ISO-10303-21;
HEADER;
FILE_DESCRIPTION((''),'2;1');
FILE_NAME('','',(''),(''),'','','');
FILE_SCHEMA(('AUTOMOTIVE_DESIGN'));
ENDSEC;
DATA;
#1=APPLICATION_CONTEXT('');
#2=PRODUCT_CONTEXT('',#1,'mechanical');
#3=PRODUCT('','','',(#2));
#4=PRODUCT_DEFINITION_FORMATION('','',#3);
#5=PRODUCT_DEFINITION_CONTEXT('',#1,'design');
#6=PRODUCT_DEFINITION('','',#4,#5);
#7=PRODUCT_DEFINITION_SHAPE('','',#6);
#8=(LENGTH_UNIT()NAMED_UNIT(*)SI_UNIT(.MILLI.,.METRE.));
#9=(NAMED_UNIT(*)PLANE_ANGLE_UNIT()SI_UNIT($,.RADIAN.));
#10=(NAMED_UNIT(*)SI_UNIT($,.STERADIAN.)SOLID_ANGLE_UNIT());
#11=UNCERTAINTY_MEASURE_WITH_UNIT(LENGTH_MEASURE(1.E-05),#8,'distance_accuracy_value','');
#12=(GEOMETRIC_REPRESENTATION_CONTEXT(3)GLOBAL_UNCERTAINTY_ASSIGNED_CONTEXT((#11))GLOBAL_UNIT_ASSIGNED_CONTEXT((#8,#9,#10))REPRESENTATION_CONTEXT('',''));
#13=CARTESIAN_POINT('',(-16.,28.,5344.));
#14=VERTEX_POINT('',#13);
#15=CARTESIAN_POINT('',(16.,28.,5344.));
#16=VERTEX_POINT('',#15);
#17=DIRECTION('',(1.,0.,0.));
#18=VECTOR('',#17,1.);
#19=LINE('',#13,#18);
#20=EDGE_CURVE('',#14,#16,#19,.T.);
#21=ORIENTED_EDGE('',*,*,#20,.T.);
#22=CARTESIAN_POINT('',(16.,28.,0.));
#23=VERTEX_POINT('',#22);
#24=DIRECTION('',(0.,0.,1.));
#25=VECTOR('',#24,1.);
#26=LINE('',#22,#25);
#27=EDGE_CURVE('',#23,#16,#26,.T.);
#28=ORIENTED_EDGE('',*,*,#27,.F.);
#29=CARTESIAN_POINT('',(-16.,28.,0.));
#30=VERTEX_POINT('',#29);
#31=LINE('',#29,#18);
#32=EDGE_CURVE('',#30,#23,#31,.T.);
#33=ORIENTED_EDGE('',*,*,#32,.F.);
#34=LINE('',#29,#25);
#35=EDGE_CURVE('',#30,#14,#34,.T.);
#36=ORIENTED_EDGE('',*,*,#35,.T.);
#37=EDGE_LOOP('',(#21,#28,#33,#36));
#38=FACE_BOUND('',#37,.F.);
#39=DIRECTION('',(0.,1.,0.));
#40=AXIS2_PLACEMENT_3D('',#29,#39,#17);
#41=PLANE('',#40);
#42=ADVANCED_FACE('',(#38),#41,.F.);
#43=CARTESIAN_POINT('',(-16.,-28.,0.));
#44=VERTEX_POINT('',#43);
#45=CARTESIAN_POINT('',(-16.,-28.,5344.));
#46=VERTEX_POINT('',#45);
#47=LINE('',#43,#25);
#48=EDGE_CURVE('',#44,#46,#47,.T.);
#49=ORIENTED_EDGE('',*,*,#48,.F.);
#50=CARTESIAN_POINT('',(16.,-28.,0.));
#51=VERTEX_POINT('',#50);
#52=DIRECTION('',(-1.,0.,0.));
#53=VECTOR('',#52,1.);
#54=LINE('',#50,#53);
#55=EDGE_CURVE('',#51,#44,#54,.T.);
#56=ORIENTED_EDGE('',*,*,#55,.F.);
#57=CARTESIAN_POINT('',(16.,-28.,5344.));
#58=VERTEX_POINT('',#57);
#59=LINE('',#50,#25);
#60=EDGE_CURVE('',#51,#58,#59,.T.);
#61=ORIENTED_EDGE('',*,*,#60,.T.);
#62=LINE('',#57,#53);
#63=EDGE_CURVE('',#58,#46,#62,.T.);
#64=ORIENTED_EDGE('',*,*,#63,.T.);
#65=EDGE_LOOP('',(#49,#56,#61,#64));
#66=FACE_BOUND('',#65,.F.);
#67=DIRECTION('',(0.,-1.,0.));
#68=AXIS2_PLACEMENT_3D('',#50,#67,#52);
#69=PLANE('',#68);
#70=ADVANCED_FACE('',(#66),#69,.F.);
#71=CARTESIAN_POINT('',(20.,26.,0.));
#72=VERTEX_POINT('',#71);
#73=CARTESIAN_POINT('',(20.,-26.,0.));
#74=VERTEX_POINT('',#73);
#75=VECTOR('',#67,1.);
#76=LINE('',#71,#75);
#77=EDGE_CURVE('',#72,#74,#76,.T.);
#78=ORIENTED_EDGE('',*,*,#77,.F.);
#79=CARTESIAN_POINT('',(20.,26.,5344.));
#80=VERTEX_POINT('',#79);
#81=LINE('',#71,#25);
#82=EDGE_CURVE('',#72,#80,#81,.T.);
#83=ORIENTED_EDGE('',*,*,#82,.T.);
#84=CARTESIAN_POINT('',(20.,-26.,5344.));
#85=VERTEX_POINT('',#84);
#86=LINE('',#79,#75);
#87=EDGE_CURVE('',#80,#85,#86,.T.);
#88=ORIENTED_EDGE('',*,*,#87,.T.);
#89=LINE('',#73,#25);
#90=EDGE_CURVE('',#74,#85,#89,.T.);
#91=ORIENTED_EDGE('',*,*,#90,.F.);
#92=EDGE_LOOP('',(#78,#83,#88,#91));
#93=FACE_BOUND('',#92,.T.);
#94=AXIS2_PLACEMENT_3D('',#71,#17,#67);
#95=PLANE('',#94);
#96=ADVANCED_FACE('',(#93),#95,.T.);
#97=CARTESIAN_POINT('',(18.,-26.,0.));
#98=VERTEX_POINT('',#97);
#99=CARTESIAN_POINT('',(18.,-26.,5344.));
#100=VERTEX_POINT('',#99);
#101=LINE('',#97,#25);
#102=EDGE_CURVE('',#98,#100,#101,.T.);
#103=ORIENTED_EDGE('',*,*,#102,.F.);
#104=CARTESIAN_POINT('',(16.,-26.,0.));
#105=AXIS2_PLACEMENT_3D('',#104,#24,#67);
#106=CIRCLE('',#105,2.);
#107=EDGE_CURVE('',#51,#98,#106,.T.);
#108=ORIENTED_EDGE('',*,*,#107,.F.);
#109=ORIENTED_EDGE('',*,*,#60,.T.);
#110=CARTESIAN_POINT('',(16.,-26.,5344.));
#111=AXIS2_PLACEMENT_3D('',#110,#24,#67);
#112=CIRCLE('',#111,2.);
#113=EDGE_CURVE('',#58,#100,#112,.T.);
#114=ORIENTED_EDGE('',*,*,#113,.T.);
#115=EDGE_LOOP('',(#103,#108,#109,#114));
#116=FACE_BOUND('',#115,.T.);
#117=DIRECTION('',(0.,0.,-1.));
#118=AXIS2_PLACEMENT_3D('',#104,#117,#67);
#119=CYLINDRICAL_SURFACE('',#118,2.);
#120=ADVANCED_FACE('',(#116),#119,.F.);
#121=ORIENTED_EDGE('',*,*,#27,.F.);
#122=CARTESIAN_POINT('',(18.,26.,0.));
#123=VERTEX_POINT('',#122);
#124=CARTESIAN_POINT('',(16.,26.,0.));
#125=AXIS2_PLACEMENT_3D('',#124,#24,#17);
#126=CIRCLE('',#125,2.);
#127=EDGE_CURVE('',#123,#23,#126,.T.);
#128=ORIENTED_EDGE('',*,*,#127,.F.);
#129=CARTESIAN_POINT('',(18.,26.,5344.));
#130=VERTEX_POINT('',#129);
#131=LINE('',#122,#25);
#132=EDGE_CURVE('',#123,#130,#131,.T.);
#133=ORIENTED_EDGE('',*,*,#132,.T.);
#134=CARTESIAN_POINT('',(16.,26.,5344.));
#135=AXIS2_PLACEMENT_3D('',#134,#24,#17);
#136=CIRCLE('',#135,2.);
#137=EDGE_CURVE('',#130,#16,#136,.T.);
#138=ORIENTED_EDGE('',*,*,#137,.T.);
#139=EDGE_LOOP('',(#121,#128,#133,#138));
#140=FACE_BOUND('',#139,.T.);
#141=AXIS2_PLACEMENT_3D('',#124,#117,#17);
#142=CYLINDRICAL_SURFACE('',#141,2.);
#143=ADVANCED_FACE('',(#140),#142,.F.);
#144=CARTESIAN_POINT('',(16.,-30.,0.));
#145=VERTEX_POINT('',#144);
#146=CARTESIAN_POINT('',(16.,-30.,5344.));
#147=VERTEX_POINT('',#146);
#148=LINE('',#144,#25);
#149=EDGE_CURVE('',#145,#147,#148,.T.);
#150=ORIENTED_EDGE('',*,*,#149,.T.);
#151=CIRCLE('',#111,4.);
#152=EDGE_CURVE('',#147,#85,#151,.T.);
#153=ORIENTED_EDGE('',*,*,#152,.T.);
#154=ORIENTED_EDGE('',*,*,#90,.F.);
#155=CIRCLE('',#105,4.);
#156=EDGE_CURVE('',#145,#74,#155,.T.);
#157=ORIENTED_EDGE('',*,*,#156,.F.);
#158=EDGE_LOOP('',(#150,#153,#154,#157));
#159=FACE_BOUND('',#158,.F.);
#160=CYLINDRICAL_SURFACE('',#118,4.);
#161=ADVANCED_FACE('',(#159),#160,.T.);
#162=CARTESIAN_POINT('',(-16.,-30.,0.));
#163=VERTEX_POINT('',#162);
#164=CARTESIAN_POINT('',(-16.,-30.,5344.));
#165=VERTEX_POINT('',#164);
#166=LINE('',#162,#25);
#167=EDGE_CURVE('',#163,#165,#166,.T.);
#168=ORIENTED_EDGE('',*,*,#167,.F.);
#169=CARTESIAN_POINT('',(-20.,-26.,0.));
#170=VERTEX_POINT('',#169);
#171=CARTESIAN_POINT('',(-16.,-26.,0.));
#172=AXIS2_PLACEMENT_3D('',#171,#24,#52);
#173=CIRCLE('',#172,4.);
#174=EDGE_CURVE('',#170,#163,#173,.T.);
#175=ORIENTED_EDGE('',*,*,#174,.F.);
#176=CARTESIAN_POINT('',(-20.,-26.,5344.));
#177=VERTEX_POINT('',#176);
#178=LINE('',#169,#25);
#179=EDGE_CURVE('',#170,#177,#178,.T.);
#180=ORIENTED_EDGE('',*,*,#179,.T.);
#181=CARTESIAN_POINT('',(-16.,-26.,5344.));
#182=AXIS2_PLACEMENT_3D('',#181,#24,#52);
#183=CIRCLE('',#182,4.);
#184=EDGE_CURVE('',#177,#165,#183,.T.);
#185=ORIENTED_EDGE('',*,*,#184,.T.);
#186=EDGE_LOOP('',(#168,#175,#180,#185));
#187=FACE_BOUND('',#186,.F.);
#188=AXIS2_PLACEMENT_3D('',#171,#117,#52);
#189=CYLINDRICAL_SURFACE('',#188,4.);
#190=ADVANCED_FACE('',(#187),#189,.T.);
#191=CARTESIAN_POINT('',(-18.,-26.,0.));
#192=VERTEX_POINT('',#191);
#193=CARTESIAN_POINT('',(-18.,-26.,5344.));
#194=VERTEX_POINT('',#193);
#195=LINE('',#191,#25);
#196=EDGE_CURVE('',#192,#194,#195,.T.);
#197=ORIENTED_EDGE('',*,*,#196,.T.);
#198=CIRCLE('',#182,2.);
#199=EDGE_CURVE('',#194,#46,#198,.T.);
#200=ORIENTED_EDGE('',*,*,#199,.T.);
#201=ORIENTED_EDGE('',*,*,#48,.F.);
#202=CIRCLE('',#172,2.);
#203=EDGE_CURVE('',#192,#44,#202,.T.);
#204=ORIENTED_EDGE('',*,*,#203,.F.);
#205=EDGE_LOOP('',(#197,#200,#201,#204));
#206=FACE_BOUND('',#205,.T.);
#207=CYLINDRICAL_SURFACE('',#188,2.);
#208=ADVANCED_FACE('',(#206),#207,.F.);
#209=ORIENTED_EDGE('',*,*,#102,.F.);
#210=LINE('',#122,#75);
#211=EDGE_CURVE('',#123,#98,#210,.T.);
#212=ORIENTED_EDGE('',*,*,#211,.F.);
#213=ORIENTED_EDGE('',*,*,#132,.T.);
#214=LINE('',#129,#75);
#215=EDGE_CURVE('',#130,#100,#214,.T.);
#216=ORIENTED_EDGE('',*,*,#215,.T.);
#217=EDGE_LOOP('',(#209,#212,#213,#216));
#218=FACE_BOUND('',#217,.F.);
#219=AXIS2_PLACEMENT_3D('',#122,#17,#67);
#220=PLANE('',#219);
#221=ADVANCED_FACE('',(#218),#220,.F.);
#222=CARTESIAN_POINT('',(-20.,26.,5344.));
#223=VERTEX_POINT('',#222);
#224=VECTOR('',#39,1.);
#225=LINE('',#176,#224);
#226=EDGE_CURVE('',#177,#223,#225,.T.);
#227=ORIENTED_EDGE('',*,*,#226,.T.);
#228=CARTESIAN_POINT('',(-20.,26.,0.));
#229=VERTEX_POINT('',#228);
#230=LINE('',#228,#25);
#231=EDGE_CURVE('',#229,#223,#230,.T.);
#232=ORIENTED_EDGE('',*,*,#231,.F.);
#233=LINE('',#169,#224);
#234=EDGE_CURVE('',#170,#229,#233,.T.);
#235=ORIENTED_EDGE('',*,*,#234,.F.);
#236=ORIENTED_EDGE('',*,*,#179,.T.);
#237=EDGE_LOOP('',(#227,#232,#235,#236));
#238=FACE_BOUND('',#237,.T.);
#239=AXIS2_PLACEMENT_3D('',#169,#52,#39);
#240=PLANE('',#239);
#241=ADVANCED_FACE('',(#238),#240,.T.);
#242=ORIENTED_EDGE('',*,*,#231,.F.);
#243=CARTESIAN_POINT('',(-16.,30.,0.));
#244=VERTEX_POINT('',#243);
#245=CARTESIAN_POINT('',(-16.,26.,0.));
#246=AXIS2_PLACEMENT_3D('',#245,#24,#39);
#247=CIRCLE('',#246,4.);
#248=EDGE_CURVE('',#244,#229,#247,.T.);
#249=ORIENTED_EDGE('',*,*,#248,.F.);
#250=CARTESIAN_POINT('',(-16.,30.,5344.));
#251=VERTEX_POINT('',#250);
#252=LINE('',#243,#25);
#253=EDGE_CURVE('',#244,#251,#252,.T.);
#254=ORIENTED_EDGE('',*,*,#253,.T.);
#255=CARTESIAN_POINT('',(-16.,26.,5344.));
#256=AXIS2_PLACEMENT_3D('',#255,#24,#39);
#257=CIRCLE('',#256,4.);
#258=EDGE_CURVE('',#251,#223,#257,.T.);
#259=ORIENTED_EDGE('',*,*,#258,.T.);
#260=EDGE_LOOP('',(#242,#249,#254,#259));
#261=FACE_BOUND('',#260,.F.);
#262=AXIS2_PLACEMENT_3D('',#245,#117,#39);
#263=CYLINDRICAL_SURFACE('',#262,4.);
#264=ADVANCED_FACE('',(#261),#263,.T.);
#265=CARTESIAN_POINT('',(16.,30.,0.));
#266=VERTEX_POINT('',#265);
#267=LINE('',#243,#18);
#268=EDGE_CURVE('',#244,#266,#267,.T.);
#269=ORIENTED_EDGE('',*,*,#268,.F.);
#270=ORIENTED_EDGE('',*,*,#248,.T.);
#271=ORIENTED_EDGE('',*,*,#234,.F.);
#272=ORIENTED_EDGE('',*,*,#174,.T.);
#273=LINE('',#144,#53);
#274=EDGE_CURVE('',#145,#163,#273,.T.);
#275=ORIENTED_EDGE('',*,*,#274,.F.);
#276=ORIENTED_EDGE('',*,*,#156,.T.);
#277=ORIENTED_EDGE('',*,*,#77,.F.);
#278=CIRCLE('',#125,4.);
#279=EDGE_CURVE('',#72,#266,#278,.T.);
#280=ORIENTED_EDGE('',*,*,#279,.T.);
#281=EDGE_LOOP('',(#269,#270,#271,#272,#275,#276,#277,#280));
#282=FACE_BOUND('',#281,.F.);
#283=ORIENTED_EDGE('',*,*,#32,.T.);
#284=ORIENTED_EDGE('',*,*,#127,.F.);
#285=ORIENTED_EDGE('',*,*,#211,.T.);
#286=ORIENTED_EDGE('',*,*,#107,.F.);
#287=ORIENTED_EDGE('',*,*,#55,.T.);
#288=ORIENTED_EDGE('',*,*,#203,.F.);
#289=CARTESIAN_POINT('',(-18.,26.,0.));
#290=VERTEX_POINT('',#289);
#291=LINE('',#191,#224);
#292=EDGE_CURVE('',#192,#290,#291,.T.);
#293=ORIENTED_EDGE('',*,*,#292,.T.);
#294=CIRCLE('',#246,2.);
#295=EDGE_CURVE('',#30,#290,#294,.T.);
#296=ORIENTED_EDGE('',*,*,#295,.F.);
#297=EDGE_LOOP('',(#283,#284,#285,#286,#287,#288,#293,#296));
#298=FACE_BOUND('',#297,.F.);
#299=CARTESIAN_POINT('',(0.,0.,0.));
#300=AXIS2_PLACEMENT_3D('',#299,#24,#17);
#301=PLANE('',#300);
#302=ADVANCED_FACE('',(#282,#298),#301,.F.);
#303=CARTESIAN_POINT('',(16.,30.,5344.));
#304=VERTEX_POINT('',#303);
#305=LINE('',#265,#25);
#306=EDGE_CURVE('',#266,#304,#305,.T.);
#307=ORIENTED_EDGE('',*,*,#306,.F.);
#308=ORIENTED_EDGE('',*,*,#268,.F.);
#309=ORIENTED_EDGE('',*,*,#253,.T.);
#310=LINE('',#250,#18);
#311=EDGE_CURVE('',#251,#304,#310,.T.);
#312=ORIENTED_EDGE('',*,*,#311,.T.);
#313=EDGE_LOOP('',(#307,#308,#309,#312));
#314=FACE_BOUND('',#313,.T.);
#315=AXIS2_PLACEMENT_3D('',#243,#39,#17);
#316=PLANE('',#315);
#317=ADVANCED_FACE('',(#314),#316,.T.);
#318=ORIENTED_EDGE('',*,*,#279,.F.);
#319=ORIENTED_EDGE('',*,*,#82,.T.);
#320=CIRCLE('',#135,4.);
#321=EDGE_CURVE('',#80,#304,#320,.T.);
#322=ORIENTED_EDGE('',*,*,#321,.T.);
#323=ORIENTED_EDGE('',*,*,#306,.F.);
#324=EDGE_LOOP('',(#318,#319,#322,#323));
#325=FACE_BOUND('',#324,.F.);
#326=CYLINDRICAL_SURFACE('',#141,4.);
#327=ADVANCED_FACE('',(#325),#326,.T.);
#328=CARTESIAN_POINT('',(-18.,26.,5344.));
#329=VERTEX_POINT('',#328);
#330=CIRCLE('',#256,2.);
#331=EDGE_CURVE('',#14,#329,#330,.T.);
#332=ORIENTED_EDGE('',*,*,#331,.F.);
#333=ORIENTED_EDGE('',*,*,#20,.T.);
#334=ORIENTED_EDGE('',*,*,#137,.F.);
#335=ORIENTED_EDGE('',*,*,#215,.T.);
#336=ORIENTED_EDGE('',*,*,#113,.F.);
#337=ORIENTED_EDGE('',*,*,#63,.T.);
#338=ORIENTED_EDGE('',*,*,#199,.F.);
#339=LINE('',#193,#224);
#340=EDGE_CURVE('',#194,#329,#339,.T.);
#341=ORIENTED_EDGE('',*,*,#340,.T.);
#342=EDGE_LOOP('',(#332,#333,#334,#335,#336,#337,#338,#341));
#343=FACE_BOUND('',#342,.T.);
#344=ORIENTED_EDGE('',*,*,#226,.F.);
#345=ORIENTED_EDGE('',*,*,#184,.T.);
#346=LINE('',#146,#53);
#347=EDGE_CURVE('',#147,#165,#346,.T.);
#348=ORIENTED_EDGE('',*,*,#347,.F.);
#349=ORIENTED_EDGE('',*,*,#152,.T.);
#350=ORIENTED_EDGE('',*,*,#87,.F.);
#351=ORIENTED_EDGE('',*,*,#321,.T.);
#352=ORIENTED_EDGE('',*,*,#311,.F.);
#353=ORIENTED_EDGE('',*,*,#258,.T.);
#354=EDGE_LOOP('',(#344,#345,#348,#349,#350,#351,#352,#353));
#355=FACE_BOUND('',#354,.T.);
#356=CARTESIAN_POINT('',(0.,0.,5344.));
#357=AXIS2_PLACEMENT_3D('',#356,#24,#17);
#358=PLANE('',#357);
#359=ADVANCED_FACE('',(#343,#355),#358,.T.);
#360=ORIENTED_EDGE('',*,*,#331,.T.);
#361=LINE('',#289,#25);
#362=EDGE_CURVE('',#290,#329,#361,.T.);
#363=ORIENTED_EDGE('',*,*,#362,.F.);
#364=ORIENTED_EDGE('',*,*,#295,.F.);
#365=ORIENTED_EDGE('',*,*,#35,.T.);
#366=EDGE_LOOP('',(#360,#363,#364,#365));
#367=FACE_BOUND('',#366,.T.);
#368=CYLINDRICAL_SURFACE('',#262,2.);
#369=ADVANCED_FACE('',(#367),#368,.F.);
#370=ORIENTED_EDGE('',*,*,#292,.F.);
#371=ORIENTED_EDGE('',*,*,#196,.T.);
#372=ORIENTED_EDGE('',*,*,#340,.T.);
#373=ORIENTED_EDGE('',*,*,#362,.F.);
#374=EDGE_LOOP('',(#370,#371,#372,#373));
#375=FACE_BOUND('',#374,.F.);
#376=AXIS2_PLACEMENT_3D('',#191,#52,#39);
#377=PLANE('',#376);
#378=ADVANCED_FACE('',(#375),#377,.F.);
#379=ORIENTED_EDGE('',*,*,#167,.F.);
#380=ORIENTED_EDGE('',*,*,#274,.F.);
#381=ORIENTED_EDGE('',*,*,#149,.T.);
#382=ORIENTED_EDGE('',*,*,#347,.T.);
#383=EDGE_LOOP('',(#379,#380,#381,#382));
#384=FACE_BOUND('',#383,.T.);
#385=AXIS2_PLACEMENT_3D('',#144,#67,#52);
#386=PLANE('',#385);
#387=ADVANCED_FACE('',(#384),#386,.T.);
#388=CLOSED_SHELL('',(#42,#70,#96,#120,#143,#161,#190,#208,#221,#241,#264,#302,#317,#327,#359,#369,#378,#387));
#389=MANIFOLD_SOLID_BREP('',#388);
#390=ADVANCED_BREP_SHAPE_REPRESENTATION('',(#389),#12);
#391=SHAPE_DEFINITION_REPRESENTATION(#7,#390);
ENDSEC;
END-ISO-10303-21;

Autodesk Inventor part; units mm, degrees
ref_plane "YZ Plane" through (0, 0, 0) normal (1, 0, 0) x (0, 1, 0)
ref_plane "Start Plane" through (0, 0, 0) normal (0, 0, 1) x (1, 0, 0)
ref_plane "End Plane" through (0, 0, 5344) normal (0, 0, 1) x (1, 0, 0)
sketch "Sketch" plane through (0, 0, 0) normal (0, 0, 1) x (1, 0, 0)
  line L0 (-20, -26) -> (-20, 26)
  line L1 (-16, 30) -> (16, 30)
  line L2 (20, 26) -> (20, -26)
  line L3 (16, -30) -> (-16, -30)
  arc A0 (-20, -26) -> (-16, -30) centre (-16, -26) ccw
  arc A1 (20, 26) -> (16, 30) centre (16, 26) ccw
  arc A2 (-16, 30) -> (-20, 26) centre (-16, 26) ccw
  arc A3 (16, -30) -> (20, -26) centre (16, -26) ccw
  arc A4 (-16, 28) -> (-18, 26) centre (-16, 26) ccw
  line L4 (-16, 28) -> (16, 28)
  arc A5 (18, 26) -> (16, 28) centre (16, 26) ccw
  line L5 (18, 26) -> (18, -26)
  arc A6 (16, -28) -> (18, -26) centre (16, -26) ccw
  line L6 (16, -28) -> (-16, -28)
  arc A7 (-18, -26) -> (-16, -28) centre (-16, -26) ccw
  line L7 (-18, -26) -> (-18, 26)
  line L8 (0, 43.1598) -> (0, -43.1598) construction
  line L9 (-29.1598, 0) -> (29.1598, 0) construction
  dimension "d7" = 4
  dimension "d9" = 40
  dimension "d11" = 60
  dimension "d12" = 2
  dimension "d15" = 20
  dimension "d16" = 30
extrude "Body" add sketch "Sketch" along normal up to surface (5344 mm away) from surface at 0
sketch "Sketch3" plane through (0, 0, 0) normal (0, 0, 1) x (1, 0, 0)
  line L0 (0, 0) -> (10, 0)
ref_plane "Work Plane3" through (0, 0, 0) normal (0, -1, 0) x (1, 0, 0)
sketch "Sketch4" plane through (0, 0, 0) normal (0, -1, 0) x (1, 0, 0)
  line L0 (-2, 0) -> (12, 0) projected
  line L1 (-2, 5344) -> (12, 5344) projected
  dimension "d18" = 5344
equation "\"d7\" = G_IR"
equation "\"d9\" = G_W"
equation "\"d11\" = G_H"
equation "\"d12\" = G_T"
equation "\"d15\" = 0.5 * d9"
equation "\"d16\" = 0.5 * d11"
equation "\"d3\" = G_L"
equation "\"G_W\" = 40"
equation "\"G_H\" = 60"
equation "\"G_T\" = 2"
equation "\"G_IR\" = 4"
equation "\"G_L\" = d18"
equation "\"G_OFFSET_START\" = 0"
equation "\"G_OFFSET_END\" = 0"
equation "\"d14\" = G_OFFSET_END + B_L"
equation "\"B_L\" = 5344"
properties part number "ISO 10799-2 - 60x40x2 - 5344" material "Steel, Mild"
